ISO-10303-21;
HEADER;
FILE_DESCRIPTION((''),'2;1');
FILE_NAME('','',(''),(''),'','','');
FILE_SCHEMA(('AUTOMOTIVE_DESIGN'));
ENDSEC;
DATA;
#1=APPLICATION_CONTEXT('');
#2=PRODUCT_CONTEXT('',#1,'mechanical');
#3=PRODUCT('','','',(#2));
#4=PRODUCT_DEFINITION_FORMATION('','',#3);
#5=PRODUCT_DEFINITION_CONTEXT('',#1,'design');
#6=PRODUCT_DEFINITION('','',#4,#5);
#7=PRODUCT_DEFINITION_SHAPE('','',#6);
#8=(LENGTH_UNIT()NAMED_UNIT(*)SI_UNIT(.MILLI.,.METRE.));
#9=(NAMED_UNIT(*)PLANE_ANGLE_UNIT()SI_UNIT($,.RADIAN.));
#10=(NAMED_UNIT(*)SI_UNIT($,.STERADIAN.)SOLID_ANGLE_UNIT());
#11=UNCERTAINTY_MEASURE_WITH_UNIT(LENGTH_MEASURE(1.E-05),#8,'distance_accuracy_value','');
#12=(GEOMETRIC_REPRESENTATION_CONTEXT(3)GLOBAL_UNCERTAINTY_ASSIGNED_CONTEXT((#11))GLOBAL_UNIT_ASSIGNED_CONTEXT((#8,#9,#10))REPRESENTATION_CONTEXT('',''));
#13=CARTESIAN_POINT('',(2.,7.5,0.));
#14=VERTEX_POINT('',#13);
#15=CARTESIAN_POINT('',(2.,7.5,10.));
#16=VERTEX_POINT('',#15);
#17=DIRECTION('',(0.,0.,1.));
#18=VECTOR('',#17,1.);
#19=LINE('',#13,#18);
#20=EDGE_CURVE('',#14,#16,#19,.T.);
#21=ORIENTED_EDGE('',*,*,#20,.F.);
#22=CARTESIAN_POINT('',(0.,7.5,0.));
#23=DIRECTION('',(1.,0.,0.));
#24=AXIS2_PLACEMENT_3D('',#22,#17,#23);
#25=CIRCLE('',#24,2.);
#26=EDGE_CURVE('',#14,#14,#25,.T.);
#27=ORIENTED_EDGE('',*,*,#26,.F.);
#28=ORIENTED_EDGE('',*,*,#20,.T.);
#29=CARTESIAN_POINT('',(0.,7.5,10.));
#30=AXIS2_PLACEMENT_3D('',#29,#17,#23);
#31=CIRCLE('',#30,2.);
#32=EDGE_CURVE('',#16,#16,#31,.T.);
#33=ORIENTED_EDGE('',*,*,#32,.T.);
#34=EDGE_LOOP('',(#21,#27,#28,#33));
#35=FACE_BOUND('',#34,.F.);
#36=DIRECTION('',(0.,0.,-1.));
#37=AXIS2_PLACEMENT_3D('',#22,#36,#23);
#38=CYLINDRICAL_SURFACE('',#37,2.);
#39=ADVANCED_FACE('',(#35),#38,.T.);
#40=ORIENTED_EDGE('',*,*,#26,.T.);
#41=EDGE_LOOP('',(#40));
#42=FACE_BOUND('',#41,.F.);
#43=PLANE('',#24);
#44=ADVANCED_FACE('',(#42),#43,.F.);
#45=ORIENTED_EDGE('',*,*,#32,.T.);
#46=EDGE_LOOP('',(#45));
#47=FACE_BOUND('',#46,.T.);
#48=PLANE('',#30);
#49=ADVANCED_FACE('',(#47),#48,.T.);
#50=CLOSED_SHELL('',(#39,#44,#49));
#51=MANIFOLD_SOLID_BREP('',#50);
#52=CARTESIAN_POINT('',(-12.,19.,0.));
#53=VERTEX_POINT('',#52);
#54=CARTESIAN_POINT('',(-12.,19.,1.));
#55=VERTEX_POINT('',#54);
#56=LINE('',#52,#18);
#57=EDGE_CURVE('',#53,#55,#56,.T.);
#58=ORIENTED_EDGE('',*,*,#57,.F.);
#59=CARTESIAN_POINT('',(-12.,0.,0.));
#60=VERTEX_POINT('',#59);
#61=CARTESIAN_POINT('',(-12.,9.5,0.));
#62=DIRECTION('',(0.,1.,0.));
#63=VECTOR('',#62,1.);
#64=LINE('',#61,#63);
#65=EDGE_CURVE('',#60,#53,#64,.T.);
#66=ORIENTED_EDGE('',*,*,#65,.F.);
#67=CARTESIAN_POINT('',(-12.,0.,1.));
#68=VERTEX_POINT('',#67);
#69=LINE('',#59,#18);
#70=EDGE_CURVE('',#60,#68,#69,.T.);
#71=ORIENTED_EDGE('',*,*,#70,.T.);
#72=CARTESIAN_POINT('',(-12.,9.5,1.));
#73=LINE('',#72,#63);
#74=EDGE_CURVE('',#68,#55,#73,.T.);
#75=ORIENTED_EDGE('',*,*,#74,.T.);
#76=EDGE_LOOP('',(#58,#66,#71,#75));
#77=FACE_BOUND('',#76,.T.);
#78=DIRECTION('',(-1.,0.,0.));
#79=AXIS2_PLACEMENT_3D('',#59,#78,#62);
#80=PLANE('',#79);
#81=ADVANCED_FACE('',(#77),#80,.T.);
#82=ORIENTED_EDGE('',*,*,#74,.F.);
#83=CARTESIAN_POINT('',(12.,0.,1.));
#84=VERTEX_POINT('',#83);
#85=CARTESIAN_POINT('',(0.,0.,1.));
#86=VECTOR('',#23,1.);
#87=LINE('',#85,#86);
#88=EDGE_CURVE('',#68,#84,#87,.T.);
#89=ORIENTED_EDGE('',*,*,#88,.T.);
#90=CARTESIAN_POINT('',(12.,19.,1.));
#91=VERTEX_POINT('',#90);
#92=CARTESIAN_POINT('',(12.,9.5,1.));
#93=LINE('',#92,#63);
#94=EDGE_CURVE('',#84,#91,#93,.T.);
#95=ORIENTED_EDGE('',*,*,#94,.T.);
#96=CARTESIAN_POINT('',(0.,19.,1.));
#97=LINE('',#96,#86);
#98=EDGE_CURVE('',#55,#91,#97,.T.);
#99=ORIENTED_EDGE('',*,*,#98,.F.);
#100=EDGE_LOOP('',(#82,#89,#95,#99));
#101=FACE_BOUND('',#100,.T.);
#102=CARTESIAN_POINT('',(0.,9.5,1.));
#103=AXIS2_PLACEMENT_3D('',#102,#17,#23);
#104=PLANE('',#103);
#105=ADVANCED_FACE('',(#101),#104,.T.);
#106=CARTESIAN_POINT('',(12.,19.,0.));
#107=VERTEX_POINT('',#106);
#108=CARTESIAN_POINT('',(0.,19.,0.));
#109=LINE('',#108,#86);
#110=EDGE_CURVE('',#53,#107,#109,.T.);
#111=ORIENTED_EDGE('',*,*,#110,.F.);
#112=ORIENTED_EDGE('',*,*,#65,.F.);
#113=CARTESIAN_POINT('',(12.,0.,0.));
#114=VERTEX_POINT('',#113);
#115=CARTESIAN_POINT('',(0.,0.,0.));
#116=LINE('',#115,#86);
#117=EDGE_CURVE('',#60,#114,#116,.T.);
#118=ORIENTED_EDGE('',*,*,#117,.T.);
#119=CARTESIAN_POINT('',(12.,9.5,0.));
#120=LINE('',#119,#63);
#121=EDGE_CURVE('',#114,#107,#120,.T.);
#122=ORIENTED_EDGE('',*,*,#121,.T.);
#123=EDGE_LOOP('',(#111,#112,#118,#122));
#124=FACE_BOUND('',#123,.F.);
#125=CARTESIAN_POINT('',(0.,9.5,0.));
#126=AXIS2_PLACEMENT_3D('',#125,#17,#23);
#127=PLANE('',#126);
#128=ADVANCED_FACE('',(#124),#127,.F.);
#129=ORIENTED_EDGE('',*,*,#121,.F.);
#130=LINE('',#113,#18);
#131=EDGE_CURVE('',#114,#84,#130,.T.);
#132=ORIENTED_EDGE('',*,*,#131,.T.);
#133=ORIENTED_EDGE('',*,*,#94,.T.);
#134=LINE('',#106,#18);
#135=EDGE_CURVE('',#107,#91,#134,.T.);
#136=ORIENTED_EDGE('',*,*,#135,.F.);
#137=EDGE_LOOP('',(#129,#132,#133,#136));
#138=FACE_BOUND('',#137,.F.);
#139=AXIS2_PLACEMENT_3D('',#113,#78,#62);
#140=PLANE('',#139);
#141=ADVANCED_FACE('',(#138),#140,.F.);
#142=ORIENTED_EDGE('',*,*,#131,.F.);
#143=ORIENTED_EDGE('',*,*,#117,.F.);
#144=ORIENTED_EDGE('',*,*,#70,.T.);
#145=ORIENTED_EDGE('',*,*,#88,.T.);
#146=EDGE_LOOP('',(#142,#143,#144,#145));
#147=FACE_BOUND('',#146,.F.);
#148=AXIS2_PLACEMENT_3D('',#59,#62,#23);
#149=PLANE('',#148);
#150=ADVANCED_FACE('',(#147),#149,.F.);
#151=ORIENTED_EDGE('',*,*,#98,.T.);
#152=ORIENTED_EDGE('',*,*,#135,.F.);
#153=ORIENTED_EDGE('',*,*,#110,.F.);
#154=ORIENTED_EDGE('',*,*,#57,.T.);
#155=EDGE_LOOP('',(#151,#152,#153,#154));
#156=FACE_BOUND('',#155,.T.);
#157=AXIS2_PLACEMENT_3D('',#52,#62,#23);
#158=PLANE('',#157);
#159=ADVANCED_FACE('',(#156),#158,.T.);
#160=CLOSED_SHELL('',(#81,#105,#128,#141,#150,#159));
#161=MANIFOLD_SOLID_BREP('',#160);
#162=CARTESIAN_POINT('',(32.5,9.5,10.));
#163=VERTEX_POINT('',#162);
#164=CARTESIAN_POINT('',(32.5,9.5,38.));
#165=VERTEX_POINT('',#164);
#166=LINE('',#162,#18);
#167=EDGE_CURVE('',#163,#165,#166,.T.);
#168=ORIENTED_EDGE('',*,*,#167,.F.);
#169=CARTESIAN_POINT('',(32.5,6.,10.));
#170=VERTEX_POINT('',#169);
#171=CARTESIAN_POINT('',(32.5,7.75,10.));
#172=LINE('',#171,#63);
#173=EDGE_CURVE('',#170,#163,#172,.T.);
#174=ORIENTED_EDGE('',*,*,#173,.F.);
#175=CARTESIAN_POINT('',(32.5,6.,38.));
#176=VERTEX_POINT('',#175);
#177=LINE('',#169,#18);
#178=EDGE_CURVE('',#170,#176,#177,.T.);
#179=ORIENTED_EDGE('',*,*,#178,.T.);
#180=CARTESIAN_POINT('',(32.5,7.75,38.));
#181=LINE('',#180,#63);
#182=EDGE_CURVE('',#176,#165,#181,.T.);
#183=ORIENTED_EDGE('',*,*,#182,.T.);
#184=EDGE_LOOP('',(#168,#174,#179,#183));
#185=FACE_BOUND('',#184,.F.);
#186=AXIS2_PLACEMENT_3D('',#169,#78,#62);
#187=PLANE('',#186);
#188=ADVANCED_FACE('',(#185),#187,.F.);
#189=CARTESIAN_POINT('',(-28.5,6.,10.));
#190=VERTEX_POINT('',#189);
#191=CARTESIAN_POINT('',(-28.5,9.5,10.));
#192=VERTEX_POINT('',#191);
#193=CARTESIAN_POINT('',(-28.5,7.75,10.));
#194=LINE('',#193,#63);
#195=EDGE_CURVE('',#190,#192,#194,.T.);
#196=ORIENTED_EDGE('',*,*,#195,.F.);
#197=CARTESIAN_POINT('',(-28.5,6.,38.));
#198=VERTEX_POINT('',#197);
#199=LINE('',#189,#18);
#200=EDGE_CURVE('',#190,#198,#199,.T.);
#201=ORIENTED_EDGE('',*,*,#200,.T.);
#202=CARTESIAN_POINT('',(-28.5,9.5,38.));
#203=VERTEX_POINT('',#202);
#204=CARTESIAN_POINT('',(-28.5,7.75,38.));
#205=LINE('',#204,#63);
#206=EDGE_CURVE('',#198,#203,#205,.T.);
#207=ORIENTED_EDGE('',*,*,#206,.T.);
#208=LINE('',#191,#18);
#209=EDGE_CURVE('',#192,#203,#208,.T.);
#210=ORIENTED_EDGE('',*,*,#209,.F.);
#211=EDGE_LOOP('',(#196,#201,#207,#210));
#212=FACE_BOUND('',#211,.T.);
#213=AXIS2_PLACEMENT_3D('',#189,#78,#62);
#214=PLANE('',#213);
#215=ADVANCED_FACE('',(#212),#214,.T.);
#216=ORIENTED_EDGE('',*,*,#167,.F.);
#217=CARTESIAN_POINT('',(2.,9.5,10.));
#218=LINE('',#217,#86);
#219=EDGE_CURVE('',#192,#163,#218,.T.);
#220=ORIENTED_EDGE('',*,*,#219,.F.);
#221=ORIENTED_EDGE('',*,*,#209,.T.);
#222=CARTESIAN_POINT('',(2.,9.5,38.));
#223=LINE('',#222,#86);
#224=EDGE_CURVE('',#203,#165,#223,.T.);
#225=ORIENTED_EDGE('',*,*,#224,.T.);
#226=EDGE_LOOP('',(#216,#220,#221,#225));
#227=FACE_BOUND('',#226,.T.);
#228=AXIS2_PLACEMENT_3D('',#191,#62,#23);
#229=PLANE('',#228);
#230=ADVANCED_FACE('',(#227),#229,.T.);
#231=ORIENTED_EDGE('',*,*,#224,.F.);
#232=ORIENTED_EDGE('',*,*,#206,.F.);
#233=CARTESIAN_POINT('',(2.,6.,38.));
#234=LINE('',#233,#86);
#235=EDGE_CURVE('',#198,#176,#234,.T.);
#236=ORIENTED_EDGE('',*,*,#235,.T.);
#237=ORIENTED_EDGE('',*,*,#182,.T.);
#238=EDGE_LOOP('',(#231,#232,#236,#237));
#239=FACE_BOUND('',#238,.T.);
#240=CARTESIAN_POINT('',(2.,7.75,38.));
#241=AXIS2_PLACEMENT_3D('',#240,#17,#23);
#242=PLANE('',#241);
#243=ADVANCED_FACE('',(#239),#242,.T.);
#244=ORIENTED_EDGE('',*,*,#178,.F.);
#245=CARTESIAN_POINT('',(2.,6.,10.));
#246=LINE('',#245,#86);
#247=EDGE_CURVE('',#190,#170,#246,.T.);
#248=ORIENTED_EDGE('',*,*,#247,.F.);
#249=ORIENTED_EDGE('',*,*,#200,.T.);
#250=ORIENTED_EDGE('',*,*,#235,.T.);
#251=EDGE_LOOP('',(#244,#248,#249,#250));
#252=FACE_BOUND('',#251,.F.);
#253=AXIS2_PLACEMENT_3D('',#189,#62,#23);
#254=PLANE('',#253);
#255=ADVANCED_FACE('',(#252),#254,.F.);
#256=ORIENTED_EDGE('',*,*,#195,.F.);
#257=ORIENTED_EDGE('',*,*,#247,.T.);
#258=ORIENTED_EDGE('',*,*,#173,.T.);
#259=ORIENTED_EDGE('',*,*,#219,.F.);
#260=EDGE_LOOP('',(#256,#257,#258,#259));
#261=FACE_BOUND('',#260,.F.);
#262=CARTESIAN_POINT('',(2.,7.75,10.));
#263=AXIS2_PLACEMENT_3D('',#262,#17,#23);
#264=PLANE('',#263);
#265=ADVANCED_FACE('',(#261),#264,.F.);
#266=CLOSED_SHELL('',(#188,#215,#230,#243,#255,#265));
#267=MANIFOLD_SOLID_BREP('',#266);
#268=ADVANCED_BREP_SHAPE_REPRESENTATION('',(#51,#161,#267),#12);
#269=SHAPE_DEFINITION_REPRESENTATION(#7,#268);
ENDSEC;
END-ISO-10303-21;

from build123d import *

# Parameters (mm, degrees)
BOX_W          = 61
BOX_H          = 3.5
BOX_DEPTH      = 28
BOX001_W       = 24
BOX001_H       = 19
BOX001_DEPTH   = 1
CYLINDER_R     = 2
CYLINDER_DEPTH = 10


with BuildPart() as pantalla:
    # Box → Box (new body)
    with BuildSketch(Plane(origin=(-28.5, 6, 10), x_dir=(1, 0, 0), z_dir=(0, 0, 1))):
        with Locations((30.5, 1.75)):
            Rectangle(BOX_W, BOX_H)
    extrude(amount=BOX_DEPTH)


with BuildPart() as base:
    # Box001 → Box001 (new body)
    with BuildSketch(Plane(origin=(-12, 0, 0), x_dir=(1, 0, 0), z_dir=(0, 0, 1))):
        with Locations((12, 9.5)):
            Rectangle(BOX001_W, BOX001_H)
    extrude(amount=BOX001_DEPTH)


with BuildPart() as cilindro:
    # Cylinder → Cylinder (new body)
    with BuildSketch(Plane(origin=(0, 7.5, 0), x_dir=(1, 0, 0), z_dir=(0, 0, 1))):
        Circle(CYLINDER_R)
    extrude(amount=CYLINDER_DEPTH)


solid = Compound([pantalla.part, base.part, cilindro.part])
